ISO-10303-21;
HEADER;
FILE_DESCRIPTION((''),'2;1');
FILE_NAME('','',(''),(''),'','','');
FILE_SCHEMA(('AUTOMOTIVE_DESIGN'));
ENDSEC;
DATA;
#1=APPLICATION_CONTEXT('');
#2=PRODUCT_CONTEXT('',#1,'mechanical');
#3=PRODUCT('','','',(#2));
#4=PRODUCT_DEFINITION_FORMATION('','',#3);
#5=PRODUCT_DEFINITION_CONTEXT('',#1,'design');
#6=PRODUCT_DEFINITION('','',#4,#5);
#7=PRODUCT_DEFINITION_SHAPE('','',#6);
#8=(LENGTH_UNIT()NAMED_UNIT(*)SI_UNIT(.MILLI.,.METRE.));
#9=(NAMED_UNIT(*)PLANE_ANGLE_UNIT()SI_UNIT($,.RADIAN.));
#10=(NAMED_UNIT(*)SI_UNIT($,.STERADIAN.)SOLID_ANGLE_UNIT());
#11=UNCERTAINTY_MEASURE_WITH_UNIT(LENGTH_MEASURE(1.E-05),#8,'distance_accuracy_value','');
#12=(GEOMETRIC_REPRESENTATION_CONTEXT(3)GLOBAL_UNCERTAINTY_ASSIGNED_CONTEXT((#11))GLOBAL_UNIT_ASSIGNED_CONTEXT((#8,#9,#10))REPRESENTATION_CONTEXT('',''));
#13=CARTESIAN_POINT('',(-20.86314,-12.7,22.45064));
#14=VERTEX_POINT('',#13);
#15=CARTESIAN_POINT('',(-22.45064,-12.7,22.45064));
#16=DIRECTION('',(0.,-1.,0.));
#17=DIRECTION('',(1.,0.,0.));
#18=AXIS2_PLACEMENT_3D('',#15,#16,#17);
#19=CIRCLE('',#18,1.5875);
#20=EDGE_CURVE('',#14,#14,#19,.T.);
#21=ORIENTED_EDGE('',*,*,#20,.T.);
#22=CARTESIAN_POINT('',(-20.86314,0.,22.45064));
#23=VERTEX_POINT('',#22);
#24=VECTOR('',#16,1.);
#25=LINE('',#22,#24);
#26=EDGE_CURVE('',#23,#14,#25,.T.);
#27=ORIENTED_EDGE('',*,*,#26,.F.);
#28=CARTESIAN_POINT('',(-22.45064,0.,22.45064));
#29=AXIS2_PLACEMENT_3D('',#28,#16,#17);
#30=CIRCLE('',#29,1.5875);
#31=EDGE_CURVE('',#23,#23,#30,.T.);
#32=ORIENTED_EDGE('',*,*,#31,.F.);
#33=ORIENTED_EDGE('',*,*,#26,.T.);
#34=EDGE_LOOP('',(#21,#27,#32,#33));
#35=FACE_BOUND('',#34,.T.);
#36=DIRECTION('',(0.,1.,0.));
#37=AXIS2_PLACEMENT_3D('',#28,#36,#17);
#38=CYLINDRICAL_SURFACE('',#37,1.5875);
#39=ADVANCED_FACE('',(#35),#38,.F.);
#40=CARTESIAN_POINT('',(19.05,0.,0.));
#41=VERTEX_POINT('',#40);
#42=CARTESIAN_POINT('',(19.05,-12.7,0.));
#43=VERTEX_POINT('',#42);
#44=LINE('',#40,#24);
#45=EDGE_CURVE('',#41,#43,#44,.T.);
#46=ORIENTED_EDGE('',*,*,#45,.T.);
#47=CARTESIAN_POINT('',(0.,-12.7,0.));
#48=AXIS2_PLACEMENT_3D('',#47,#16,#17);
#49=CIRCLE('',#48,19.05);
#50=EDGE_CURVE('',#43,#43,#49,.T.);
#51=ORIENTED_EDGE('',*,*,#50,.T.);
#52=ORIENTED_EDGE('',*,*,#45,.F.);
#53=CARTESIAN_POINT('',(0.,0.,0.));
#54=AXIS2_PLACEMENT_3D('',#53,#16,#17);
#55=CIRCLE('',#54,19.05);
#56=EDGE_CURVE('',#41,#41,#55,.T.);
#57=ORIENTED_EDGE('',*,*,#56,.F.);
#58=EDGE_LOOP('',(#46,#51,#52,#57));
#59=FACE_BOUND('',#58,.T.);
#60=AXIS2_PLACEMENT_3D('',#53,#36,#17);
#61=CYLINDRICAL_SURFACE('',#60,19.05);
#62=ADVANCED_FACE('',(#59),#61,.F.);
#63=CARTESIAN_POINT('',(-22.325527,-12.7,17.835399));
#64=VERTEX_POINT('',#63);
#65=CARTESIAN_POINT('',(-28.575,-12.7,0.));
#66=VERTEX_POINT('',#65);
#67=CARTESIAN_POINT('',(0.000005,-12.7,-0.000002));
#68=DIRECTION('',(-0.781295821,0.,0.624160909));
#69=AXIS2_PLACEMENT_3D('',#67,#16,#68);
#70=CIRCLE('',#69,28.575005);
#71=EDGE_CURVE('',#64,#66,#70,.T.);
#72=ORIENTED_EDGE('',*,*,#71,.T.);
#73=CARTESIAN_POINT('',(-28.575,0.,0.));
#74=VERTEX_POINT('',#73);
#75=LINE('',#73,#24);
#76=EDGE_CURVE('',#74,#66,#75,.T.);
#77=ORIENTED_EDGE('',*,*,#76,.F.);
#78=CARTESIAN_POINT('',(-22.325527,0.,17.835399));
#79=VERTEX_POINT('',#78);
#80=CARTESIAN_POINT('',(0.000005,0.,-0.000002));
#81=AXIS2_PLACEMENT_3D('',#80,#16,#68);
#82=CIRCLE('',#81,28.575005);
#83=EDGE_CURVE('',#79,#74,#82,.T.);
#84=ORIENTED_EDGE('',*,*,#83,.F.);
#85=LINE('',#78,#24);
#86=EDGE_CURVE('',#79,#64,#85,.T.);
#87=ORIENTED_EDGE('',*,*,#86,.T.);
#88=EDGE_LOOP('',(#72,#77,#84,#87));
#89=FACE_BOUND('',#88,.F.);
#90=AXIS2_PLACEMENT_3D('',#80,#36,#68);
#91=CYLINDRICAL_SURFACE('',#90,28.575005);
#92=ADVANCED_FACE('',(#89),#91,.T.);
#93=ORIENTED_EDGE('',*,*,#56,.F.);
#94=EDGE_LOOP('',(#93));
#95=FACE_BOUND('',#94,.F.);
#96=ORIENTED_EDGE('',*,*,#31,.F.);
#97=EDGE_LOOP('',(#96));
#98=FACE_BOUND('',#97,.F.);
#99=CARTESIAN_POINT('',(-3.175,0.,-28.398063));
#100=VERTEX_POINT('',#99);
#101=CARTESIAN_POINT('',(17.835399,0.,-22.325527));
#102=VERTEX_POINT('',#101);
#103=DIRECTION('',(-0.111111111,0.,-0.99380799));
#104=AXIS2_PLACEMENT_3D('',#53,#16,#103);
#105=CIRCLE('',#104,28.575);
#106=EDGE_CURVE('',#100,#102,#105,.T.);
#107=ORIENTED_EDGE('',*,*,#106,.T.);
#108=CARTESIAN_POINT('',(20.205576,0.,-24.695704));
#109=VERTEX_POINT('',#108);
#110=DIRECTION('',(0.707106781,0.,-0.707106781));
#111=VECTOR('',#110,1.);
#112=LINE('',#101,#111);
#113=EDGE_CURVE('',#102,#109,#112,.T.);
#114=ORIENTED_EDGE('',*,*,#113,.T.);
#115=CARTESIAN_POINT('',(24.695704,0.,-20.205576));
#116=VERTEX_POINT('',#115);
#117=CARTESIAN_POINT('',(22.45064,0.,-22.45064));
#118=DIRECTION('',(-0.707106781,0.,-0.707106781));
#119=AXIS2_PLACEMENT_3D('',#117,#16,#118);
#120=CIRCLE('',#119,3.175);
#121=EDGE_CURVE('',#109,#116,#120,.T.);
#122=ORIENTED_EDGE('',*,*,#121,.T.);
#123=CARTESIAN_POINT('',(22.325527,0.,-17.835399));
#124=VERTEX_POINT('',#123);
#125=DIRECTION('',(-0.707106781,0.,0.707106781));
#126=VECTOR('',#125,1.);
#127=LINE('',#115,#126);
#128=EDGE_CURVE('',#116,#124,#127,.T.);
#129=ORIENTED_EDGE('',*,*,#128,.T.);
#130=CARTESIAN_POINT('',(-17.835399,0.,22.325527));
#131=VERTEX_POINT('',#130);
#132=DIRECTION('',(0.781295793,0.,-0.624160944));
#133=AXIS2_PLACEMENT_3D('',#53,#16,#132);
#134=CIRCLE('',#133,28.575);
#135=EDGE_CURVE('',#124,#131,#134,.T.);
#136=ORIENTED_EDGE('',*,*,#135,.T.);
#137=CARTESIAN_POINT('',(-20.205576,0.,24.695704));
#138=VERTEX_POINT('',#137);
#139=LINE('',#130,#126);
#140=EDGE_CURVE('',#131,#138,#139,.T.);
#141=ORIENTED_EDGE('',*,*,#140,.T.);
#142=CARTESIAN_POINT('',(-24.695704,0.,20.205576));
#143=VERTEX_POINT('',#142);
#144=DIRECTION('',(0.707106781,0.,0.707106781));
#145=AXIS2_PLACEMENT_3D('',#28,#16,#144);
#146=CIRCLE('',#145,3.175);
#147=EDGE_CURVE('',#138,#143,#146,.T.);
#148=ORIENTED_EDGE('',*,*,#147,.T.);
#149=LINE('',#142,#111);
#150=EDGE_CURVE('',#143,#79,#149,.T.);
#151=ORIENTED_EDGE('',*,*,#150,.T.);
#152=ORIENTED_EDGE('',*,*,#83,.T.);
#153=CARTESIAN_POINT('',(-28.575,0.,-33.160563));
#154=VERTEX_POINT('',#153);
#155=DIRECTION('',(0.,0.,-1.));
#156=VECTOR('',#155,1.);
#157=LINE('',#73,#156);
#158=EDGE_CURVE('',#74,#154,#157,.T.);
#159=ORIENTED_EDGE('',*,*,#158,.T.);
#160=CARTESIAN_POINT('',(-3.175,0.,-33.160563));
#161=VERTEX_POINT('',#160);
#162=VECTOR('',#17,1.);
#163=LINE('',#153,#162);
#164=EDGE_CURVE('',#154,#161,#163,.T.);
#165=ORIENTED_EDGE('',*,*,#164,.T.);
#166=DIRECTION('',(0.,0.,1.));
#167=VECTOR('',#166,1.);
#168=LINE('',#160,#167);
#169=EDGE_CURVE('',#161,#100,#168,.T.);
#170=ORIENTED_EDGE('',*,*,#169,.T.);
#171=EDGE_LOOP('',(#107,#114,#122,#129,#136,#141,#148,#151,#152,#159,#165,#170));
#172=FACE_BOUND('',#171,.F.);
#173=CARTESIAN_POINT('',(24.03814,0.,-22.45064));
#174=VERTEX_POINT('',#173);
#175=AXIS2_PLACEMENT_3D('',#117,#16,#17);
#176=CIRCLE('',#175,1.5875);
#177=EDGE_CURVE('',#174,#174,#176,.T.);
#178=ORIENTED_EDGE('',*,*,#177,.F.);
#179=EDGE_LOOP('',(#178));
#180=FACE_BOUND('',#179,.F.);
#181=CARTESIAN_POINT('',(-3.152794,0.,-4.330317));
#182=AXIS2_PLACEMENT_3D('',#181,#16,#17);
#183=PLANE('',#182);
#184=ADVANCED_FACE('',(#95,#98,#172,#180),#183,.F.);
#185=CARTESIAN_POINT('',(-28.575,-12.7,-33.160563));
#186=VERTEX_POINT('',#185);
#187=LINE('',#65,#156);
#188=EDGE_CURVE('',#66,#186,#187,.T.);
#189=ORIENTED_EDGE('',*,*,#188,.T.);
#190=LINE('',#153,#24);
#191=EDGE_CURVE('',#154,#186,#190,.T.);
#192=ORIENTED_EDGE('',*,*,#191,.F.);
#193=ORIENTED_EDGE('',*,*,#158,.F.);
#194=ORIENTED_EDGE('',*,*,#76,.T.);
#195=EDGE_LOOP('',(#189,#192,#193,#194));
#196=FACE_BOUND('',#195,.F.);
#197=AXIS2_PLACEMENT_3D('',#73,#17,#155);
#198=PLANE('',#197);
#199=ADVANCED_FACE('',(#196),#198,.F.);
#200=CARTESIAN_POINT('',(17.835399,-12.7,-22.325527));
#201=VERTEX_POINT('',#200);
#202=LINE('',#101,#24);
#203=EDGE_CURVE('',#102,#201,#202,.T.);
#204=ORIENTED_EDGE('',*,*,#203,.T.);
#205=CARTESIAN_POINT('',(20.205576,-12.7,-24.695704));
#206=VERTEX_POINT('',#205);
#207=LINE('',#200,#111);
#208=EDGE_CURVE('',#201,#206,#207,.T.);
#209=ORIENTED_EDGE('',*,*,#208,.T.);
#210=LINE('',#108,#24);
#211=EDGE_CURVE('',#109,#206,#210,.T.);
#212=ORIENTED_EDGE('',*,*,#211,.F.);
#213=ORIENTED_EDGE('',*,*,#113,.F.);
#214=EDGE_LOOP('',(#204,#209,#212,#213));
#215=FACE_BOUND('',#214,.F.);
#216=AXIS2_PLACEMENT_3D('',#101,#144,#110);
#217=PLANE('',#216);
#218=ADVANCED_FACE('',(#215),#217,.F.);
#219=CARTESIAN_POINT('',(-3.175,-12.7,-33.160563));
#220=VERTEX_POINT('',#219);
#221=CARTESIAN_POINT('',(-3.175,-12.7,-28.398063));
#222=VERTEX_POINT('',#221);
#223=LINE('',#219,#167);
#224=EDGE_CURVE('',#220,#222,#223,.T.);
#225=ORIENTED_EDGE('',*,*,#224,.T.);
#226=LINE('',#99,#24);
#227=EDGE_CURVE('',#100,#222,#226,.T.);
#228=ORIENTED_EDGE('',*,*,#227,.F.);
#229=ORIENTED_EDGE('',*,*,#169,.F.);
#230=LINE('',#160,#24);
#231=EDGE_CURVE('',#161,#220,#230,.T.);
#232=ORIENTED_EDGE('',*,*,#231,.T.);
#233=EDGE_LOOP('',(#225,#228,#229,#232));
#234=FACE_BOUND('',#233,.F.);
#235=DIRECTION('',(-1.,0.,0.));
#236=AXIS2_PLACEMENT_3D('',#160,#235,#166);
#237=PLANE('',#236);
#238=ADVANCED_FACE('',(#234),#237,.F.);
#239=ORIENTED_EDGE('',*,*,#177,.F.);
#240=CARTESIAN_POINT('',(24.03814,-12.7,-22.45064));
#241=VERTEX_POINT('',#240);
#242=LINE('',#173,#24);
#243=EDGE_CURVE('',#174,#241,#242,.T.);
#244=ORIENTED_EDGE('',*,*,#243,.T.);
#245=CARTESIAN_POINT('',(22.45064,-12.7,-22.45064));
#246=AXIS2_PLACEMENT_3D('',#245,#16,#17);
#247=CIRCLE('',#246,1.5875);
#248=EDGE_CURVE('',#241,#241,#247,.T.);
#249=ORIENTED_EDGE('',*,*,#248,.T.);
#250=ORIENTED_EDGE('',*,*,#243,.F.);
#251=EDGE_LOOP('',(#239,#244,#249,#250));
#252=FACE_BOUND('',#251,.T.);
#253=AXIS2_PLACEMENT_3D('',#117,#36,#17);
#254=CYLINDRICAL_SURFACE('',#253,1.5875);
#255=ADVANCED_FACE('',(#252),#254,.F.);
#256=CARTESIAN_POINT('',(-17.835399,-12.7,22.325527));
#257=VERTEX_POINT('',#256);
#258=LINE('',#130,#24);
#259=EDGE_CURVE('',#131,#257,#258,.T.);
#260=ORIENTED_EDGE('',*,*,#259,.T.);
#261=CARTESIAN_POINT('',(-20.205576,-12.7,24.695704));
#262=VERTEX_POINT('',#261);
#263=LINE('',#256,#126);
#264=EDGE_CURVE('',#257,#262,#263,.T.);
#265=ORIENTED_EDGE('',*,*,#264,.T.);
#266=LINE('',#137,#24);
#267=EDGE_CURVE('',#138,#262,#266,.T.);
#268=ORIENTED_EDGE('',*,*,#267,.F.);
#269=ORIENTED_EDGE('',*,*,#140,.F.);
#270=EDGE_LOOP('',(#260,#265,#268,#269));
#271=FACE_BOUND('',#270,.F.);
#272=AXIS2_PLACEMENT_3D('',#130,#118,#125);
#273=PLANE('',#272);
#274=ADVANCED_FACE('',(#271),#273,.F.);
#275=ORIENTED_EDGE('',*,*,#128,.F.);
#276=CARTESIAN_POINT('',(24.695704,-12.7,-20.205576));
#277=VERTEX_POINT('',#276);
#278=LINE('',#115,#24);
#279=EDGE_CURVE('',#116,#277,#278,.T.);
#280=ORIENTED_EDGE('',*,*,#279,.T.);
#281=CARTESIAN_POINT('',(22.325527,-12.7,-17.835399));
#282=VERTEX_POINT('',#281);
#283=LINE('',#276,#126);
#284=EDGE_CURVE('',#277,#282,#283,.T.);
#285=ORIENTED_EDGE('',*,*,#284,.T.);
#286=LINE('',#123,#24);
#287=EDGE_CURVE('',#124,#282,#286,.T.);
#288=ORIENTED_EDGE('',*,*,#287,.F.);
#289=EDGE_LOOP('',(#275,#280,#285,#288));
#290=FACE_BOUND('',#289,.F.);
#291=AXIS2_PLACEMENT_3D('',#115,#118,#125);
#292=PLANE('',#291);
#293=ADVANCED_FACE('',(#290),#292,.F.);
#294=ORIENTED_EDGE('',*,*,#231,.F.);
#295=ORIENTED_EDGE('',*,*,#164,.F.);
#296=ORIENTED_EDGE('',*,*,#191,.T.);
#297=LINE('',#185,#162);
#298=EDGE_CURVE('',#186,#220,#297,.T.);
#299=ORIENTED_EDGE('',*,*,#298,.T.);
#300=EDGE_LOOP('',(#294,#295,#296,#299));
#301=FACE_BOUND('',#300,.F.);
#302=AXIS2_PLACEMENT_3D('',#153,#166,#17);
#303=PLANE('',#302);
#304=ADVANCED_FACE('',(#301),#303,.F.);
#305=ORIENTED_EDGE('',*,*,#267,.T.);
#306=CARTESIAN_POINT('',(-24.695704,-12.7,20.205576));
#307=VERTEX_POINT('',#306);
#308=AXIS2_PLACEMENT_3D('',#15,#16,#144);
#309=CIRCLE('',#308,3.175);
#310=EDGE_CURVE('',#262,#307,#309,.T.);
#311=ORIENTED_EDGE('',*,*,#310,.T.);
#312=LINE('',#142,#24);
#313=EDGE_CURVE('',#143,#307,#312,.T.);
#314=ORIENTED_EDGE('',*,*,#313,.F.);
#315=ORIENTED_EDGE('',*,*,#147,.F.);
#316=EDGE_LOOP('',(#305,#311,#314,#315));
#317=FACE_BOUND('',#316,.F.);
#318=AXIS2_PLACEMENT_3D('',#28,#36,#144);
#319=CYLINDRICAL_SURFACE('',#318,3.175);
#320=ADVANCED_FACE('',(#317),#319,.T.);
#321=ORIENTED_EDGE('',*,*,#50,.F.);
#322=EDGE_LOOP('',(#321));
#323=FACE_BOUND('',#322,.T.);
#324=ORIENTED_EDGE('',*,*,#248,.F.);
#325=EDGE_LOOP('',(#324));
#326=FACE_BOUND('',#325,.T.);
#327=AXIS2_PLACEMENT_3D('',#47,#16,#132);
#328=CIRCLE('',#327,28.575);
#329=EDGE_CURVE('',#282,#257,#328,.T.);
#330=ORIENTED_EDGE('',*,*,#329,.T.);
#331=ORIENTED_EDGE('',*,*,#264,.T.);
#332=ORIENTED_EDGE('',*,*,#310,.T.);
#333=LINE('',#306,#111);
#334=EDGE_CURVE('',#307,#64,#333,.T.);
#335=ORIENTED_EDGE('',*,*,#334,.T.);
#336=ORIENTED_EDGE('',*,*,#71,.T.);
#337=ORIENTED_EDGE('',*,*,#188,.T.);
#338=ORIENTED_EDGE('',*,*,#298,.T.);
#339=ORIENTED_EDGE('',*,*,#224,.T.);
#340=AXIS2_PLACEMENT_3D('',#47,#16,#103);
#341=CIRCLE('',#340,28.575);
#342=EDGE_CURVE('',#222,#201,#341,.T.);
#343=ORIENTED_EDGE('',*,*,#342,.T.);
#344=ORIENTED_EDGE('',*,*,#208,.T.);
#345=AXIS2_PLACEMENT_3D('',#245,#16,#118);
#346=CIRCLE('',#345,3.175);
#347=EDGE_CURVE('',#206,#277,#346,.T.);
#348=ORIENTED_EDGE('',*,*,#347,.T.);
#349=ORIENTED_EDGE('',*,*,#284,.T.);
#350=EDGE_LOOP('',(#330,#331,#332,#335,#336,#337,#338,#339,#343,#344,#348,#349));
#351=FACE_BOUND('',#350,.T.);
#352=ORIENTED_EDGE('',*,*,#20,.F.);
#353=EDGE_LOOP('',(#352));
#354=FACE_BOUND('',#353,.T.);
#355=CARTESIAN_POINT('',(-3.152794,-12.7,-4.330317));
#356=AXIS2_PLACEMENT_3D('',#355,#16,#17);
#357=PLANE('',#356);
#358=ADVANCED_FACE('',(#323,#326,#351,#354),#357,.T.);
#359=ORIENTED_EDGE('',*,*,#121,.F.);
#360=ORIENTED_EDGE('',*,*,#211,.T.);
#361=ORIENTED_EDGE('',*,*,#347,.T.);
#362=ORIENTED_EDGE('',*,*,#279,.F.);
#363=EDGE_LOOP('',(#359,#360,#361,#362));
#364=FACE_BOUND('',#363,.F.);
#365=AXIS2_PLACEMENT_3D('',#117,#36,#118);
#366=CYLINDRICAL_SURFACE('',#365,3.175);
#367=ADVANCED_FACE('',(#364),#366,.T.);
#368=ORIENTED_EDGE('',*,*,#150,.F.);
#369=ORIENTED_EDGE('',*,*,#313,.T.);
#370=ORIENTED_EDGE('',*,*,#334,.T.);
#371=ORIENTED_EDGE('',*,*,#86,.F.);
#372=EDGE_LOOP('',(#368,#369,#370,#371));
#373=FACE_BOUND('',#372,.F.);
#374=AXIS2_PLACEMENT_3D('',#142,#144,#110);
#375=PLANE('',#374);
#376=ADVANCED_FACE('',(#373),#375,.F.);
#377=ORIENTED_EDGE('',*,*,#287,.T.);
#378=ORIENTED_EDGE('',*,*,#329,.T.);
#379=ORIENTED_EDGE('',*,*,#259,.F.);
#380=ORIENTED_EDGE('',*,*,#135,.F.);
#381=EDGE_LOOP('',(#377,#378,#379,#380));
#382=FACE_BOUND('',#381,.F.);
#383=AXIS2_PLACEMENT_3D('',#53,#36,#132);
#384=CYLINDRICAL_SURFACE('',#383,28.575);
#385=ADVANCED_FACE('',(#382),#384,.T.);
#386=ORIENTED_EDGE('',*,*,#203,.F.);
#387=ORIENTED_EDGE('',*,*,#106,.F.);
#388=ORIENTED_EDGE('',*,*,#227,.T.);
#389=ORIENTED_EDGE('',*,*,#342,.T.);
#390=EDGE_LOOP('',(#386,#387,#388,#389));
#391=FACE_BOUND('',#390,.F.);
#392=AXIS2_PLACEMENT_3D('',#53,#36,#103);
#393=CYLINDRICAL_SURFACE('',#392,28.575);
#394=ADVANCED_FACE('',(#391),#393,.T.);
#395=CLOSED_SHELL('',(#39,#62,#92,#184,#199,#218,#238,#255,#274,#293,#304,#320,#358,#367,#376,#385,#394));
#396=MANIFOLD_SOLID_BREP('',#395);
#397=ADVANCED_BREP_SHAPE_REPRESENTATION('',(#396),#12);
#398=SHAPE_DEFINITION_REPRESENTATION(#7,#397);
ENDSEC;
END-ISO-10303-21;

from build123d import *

# Parameters (mm, degrees)
F0_R     = 1.5875
F0_R_2   = 19.05
F1_DEPTH = 12.7


with BuildPart() as f1:
    # F0 (on Front) → F1 (new body)
    with BuildSketch(Plane.XZ):
        with BuildLine():
            Line((-3.175, -33.160563), (-3.175, -28.398063))
            ThreePointArc((-3.175, -28.398063), (7.934151, -27.451409), (17.835399, -22.325527))
            Line((17.835399, -22.325527), (20.205576, -24.695704))
            ThreePointArc((20.205576, -24.695704), (24.695704, -24.695704), (24.695704, -20.205576))
            Line((24.695704, -20.205576), (22.325527, -17.835399))
            ThreePointArc((22.325527, -17.835399), (20.205576, 20.205576), (-17.835399, 22.325527))
            Line((-17.835399, 22.325527), (-20.205576, 24.695704))
            ThreePointArc((-20.205576, 24.695704), (-24.695704, 24.695704), (-24.695704, 20.205576))
            Line((-24.695704, 20.205576), (-22.325527, 17.835399))
            ThreePointArc((-22.325527, 17.835399), (-26.967411, 9.449304), (-28.575, 0))
            Line((-28.575, 0), (-28.575, -33.160563))
            Line((-28.575, -33.160563), (-3.175, -33.160563))
        make_face()
        with Locations((22.45064, -22.45064)):
            Circle(F0_R, mode=Mode.SUBTRACT)
        with Locations((-22.45064, 22.45064)):
            Circle(F0_R, mode=Mode.SUBTRACT)
        Circle(F0_R_2, mode=Mode.SUBTRACT)
    extrude(amount=F1_DEPTH)


solid = f1.part
